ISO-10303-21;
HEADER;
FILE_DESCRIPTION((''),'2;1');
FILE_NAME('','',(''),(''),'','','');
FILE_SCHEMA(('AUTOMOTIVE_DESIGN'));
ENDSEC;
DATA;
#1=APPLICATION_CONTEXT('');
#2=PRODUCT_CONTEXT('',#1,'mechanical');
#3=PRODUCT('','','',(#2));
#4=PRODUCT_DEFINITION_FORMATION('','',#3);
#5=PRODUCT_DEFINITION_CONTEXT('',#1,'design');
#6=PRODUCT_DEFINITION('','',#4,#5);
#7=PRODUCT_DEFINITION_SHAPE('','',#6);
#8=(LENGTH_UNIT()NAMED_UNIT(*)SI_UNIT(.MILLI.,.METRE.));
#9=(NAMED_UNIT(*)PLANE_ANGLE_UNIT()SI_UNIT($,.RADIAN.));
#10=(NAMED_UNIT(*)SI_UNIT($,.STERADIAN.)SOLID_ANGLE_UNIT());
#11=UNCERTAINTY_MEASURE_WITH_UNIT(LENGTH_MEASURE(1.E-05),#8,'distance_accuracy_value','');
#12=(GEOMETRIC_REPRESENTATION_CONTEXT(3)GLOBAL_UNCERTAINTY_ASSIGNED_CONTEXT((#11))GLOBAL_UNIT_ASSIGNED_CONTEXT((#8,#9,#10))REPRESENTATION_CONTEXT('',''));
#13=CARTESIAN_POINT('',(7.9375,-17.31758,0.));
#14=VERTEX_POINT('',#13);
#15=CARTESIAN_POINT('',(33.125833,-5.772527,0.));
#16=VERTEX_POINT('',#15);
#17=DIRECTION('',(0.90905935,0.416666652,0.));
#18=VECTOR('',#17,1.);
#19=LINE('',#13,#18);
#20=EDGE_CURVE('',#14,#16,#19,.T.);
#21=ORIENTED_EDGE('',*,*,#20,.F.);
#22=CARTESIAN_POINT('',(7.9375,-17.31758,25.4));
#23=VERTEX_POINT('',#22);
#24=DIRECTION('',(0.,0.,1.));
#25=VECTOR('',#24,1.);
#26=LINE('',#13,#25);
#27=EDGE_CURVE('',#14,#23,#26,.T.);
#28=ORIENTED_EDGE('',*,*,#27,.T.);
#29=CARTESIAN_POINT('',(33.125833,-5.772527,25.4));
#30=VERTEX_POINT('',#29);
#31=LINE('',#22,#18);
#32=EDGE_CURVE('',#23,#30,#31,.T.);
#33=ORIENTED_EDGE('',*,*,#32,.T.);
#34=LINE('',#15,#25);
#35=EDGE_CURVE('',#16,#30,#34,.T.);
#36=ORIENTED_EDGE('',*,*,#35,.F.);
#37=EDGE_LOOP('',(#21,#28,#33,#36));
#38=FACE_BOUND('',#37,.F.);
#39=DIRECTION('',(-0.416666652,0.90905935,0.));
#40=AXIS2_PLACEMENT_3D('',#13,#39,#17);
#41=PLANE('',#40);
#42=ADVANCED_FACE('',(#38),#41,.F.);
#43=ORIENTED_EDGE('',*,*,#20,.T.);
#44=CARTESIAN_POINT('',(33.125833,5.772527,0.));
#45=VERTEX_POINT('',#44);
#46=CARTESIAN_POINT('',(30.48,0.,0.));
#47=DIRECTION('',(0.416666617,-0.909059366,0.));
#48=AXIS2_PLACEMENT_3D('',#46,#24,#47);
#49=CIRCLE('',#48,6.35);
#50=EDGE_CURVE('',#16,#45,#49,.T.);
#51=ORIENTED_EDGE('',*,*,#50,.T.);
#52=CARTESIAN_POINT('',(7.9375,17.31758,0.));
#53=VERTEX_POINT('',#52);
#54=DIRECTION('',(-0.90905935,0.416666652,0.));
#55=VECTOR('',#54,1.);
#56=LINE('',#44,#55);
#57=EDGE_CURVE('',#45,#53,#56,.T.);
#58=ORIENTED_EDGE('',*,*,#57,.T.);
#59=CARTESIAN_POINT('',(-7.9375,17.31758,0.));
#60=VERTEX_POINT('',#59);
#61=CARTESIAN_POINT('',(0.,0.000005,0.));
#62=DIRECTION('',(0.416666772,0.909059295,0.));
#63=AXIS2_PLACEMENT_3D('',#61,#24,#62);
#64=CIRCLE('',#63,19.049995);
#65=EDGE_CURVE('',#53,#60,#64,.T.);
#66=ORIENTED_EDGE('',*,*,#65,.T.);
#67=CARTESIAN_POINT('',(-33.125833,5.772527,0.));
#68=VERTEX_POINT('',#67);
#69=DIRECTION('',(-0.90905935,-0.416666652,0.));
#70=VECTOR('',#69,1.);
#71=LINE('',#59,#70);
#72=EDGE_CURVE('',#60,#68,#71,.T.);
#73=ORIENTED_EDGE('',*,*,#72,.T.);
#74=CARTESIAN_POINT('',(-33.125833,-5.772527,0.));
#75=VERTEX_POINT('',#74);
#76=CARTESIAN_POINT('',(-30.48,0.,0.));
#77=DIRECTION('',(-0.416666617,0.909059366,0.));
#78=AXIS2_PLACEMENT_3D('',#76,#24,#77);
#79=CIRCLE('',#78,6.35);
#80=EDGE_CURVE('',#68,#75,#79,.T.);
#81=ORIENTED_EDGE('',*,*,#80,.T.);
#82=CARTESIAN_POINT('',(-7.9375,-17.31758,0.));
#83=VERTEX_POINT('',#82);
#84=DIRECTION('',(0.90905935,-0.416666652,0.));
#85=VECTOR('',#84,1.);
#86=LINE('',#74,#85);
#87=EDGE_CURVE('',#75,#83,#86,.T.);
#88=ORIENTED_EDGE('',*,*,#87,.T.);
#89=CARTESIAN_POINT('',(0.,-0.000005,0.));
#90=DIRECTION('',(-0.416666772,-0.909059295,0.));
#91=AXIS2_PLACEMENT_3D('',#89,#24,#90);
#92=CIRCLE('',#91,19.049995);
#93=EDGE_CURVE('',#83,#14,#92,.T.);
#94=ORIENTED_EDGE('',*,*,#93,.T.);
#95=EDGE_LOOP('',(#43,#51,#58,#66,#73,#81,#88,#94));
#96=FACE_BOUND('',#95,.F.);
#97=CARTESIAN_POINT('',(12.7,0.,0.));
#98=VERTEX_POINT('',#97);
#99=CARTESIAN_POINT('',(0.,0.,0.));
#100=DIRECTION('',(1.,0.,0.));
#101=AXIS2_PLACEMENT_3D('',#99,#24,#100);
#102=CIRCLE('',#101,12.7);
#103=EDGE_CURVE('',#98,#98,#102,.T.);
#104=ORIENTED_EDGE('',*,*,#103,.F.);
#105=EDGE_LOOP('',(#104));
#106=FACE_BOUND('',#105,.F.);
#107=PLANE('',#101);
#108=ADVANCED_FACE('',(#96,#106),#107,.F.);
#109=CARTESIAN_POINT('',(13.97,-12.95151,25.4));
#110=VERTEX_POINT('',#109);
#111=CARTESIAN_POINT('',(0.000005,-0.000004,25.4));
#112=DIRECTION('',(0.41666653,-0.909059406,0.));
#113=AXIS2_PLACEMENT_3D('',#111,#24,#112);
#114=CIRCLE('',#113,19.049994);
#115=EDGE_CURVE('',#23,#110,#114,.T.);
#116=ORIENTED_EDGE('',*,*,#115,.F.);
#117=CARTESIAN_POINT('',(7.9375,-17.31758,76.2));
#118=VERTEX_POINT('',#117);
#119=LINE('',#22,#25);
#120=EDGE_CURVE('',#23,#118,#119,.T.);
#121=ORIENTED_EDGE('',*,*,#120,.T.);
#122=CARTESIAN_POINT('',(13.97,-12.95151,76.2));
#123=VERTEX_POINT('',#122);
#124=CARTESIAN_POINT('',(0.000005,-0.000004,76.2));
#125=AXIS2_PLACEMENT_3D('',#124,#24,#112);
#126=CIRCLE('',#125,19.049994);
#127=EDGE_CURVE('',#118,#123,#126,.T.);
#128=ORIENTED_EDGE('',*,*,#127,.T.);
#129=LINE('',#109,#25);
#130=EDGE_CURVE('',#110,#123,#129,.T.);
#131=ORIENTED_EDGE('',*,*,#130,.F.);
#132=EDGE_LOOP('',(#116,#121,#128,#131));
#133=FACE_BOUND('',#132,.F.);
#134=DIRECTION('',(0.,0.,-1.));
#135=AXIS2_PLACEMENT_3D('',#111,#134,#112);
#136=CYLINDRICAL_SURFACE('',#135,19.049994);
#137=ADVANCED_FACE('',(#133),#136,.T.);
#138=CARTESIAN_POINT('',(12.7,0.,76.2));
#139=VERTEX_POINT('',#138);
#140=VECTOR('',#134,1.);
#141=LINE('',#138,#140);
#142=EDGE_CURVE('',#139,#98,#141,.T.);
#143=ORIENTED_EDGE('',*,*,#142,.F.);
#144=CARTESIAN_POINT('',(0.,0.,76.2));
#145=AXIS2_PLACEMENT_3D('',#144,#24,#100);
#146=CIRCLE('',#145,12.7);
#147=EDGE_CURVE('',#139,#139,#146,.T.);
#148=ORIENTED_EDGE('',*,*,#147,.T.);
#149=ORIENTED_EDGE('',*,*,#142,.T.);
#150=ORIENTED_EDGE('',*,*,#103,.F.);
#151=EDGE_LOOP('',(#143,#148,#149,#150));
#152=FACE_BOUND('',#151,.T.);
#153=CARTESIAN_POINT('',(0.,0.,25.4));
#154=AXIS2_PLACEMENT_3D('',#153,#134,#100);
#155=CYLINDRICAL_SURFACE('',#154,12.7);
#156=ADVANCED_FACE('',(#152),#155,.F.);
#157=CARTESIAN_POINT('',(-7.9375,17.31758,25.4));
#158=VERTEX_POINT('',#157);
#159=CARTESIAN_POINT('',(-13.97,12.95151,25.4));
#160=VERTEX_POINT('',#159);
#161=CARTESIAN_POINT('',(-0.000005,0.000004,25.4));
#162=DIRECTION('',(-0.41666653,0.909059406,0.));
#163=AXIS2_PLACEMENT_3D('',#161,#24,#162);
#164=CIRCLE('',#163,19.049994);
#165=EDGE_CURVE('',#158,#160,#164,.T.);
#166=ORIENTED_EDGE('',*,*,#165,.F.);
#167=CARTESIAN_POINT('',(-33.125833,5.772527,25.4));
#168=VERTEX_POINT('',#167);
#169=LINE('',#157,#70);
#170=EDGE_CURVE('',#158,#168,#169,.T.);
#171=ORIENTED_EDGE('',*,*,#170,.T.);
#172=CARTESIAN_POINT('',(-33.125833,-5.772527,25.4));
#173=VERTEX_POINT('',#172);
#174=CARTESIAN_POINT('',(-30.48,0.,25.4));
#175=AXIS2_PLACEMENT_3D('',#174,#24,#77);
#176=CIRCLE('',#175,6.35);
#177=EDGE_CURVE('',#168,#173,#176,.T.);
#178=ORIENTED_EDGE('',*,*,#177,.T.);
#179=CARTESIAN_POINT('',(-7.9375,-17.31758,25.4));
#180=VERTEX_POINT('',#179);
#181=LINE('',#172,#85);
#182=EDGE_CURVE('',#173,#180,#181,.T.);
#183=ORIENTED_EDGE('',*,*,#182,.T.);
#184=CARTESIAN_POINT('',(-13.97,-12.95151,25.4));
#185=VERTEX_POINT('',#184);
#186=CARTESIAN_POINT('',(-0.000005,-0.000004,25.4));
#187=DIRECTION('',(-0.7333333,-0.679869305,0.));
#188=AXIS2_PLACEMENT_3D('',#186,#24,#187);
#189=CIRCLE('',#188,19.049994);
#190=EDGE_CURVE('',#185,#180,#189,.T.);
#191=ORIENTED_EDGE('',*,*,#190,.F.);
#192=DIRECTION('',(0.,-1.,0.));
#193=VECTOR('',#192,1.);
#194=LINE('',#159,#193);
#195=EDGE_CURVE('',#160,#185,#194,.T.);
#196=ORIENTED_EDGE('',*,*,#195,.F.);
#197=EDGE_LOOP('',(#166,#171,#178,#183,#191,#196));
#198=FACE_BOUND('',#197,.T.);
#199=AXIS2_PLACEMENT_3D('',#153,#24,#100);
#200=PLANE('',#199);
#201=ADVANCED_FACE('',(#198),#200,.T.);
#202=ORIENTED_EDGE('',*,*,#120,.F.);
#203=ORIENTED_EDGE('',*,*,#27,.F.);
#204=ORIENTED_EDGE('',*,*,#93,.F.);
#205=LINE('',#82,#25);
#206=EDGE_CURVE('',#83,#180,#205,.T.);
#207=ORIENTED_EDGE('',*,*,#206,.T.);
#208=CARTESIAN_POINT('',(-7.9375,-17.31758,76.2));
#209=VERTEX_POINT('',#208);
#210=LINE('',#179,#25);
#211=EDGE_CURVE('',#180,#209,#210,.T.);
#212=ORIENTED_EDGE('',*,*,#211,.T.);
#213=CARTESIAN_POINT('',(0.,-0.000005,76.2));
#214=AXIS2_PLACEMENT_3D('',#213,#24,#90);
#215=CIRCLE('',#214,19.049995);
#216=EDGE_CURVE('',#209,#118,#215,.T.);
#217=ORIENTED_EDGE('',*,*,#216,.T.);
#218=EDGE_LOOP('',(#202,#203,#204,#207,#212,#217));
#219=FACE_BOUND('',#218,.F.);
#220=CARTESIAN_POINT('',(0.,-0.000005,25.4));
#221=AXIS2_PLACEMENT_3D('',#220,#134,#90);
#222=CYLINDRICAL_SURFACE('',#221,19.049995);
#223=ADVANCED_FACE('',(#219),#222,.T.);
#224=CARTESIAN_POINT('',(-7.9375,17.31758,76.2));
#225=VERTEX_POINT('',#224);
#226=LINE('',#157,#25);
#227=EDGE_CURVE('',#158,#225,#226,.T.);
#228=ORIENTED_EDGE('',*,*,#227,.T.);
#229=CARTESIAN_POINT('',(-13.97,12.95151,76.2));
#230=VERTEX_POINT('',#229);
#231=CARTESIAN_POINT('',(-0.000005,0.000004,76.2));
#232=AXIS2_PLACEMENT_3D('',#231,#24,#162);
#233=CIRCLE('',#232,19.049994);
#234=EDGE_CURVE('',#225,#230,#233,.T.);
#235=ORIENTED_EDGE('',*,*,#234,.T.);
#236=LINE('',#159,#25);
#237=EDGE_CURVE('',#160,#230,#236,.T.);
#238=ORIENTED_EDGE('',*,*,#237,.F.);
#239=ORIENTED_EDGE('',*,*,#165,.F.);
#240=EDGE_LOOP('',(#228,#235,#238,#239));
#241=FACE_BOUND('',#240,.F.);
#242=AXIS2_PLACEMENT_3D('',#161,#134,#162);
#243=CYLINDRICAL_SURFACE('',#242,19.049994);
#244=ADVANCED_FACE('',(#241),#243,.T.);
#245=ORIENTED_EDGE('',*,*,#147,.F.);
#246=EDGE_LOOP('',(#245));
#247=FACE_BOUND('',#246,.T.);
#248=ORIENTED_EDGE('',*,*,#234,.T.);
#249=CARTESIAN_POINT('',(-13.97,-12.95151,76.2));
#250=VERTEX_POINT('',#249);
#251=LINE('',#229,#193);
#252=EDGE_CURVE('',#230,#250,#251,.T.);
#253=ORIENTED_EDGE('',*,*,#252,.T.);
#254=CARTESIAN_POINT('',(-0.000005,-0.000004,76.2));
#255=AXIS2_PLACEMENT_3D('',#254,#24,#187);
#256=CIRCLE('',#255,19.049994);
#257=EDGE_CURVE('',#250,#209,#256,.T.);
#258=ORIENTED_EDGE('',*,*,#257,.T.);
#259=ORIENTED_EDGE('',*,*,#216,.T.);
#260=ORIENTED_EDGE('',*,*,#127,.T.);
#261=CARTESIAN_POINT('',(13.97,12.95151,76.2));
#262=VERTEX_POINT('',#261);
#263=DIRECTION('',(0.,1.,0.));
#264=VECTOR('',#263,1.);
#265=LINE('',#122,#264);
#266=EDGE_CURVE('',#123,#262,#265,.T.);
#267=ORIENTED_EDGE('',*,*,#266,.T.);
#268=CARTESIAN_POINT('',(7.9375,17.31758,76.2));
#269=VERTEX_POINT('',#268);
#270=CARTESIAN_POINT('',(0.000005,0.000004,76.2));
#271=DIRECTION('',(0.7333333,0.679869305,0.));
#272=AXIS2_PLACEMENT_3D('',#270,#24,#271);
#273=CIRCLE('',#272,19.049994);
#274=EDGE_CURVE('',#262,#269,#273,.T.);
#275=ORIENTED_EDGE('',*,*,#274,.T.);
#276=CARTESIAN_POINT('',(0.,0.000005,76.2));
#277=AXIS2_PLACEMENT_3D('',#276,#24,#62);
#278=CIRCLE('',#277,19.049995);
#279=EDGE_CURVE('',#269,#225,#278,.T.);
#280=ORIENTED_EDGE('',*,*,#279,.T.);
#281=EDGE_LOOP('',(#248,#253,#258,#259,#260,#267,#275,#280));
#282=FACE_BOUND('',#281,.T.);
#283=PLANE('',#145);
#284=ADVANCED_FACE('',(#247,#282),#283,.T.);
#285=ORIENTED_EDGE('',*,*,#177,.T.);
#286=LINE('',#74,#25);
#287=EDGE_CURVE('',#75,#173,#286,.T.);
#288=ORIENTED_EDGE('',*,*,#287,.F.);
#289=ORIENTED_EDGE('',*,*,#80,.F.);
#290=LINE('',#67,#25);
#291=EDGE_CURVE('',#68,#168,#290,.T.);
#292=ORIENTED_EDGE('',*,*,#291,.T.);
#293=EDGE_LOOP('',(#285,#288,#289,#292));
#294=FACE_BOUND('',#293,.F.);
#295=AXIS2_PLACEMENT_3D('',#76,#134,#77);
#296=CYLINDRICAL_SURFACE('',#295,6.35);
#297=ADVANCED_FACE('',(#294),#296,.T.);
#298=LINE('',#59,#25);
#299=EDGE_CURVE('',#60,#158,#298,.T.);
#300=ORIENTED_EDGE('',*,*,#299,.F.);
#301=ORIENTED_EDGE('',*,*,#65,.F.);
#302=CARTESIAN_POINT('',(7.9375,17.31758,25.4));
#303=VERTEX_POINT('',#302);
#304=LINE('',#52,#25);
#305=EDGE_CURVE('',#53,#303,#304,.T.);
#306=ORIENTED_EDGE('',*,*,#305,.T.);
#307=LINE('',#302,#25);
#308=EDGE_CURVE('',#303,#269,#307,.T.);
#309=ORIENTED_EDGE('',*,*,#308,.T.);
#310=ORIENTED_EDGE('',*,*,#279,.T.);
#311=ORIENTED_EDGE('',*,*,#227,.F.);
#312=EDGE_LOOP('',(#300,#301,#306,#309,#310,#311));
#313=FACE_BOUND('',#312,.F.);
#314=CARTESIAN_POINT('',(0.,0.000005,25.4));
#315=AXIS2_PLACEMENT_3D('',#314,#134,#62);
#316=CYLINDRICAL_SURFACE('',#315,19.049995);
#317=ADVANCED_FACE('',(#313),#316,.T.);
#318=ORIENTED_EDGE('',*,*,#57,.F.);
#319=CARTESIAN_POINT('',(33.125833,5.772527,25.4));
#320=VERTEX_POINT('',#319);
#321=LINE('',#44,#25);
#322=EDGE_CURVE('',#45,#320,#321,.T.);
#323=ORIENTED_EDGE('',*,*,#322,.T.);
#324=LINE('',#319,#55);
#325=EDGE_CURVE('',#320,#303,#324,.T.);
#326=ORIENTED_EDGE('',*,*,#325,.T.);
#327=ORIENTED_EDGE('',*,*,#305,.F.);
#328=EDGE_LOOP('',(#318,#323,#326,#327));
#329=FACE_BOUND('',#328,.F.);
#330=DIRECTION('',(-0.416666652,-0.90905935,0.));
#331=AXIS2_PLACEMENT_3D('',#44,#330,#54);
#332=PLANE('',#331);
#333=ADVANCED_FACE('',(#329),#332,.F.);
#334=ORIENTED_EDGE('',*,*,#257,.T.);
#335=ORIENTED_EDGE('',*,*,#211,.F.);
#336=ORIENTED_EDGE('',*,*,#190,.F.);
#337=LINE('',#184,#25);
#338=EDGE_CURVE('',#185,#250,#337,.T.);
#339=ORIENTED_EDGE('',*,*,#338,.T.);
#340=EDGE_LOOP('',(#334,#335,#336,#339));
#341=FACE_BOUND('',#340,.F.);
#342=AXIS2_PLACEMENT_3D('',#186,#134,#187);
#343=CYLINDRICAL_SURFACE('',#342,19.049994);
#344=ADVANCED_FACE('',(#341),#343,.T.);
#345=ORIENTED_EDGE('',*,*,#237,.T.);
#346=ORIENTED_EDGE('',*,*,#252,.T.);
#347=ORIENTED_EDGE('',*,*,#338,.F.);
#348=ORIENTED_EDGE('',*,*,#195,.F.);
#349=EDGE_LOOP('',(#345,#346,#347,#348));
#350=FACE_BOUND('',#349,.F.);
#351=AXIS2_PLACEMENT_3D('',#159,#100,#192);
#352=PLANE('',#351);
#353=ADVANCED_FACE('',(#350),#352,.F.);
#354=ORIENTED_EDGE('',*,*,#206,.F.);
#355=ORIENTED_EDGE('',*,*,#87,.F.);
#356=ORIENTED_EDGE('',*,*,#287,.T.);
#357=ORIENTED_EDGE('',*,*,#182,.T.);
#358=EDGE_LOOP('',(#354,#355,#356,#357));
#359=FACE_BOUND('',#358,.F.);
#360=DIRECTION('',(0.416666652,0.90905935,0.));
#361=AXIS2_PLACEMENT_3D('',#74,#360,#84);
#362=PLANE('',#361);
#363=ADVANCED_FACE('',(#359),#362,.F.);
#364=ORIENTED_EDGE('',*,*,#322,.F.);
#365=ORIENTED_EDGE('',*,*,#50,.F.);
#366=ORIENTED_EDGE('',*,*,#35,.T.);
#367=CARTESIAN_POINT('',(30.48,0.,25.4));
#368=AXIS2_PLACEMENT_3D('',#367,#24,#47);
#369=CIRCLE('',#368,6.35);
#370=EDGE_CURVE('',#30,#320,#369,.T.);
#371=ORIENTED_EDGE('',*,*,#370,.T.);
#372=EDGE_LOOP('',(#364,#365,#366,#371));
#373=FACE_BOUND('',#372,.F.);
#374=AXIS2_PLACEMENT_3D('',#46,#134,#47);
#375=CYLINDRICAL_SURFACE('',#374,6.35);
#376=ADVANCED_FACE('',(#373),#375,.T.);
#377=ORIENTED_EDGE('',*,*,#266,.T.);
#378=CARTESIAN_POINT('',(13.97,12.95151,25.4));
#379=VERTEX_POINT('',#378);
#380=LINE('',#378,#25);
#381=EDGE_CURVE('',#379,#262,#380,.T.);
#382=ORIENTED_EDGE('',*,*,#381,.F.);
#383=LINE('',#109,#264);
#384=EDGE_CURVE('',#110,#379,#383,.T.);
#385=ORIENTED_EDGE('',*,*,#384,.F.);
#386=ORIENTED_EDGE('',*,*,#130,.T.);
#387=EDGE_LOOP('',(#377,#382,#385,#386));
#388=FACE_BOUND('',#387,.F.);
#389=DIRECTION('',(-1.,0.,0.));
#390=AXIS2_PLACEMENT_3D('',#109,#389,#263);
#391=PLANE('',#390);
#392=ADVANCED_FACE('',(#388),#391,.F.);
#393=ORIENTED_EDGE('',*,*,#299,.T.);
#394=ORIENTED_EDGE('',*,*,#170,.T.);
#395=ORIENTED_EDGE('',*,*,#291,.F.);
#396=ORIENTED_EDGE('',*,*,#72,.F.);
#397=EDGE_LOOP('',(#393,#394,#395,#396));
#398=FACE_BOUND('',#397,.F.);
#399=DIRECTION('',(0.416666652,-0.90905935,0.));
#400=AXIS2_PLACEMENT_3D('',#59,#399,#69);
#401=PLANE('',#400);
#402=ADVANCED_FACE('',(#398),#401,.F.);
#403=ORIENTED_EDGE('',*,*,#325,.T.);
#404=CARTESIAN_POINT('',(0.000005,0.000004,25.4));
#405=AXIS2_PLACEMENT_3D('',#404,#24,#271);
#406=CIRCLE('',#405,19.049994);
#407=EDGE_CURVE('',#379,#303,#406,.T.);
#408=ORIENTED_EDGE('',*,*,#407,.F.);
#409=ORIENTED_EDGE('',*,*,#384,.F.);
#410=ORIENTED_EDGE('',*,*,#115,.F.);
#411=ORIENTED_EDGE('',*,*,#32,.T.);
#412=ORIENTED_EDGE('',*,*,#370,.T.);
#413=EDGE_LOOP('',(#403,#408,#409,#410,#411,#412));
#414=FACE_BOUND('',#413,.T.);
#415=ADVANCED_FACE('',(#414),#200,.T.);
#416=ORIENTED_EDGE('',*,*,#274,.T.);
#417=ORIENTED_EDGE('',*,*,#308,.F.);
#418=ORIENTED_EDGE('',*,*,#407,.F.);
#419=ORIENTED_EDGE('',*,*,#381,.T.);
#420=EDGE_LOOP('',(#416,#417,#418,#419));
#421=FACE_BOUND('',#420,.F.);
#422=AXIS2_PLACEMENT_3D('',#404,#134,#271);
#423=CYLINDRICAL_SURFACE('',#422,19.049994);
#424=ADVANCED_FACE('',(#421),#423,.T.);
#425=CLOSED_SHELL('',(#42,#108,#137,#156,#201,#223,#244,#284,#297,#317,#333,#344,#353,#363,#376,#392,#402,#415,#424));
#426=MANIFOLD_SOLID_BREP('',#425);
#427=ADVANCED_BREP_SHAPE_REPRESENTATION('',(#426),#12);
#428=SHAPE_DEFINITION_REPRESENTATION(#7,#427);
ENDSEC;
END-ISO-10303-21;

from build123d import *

# Parameters (mm, degrees)
F0_R     = 12.7
F1_DEPTH = 25.4
F2_R     = 12.7
F3_DEPTH = 50.8


with BuildPart() as f1:
    # F0 (on Top) → F1 (new body)
    with BuildSketch(Plane.XY):
        with BuildLine():
            Line((-33.125833, -5.772527), (-7.9375, -17.31758))
            ThreePointArc((-7.9375, -17.31758), (0, -19.05), (7.9375, -17.31758))
            Line((7.9375, -17.31758), (33.125833, -5.772527))
            ThreePointArc((33.125833, -5.772527), (36.83, 0), (33.125833, 5.772527))
            Line((33.125833, 5.772527), (7.9375, 17.31758))
            ThreePointArc((7.9375, 17.31758), (0, 19.05), (-7.9375, 17.31758))
            Line((-7.9375, 17.31758), (-33.125833, 5.772527))
            ThreePointArc((-33.125833, 5.772527), (-36.83, 0), (-33.125833, -5.772527))
        make_face()
        Circle(F0_R, mode=Mode.SUBTRACT)
    extrude(amount=F1_DEPTH)

    # F2 (on face) → F3 (join)
    with BuildSketch(Plane.XY.offset(25.4)):
        with BuildLine():
            Line((13.97, -12.95151), (13.97, 12.95151))
            ThreePointArc((13.97, 12.95151), (11.169167, 15.432181), (7.9375, 17.31758))
            ThreePointArc((7.9375, 17.31758), (0, 19.05), (-7.9375, 17.31758))
            ThreePointArc((-7.9375, 17.31758), (-11.169167, 15.432181), (-13.97, 12.95151))
            Line((-13.97, 12.95151), (-13.97, -12.95151))
            ThreePointArc((-13.97, -12.95151), (-11.169167, -15.432181), (-7.9375, -17.31758))
            ThreePointArc((-7.9375, -17.31758), (0, -19.05), (7.9375, -17.31758))
            ThreePointArc((7.9375, -17.31758), (11.169167, -15.432181), (13.97, -12.95151))
        make_face()
        Circle(F2_R, mode=Mode.SUBTRACT)
    extrude(amount=F3_DEPTH)


solid = f1.part
